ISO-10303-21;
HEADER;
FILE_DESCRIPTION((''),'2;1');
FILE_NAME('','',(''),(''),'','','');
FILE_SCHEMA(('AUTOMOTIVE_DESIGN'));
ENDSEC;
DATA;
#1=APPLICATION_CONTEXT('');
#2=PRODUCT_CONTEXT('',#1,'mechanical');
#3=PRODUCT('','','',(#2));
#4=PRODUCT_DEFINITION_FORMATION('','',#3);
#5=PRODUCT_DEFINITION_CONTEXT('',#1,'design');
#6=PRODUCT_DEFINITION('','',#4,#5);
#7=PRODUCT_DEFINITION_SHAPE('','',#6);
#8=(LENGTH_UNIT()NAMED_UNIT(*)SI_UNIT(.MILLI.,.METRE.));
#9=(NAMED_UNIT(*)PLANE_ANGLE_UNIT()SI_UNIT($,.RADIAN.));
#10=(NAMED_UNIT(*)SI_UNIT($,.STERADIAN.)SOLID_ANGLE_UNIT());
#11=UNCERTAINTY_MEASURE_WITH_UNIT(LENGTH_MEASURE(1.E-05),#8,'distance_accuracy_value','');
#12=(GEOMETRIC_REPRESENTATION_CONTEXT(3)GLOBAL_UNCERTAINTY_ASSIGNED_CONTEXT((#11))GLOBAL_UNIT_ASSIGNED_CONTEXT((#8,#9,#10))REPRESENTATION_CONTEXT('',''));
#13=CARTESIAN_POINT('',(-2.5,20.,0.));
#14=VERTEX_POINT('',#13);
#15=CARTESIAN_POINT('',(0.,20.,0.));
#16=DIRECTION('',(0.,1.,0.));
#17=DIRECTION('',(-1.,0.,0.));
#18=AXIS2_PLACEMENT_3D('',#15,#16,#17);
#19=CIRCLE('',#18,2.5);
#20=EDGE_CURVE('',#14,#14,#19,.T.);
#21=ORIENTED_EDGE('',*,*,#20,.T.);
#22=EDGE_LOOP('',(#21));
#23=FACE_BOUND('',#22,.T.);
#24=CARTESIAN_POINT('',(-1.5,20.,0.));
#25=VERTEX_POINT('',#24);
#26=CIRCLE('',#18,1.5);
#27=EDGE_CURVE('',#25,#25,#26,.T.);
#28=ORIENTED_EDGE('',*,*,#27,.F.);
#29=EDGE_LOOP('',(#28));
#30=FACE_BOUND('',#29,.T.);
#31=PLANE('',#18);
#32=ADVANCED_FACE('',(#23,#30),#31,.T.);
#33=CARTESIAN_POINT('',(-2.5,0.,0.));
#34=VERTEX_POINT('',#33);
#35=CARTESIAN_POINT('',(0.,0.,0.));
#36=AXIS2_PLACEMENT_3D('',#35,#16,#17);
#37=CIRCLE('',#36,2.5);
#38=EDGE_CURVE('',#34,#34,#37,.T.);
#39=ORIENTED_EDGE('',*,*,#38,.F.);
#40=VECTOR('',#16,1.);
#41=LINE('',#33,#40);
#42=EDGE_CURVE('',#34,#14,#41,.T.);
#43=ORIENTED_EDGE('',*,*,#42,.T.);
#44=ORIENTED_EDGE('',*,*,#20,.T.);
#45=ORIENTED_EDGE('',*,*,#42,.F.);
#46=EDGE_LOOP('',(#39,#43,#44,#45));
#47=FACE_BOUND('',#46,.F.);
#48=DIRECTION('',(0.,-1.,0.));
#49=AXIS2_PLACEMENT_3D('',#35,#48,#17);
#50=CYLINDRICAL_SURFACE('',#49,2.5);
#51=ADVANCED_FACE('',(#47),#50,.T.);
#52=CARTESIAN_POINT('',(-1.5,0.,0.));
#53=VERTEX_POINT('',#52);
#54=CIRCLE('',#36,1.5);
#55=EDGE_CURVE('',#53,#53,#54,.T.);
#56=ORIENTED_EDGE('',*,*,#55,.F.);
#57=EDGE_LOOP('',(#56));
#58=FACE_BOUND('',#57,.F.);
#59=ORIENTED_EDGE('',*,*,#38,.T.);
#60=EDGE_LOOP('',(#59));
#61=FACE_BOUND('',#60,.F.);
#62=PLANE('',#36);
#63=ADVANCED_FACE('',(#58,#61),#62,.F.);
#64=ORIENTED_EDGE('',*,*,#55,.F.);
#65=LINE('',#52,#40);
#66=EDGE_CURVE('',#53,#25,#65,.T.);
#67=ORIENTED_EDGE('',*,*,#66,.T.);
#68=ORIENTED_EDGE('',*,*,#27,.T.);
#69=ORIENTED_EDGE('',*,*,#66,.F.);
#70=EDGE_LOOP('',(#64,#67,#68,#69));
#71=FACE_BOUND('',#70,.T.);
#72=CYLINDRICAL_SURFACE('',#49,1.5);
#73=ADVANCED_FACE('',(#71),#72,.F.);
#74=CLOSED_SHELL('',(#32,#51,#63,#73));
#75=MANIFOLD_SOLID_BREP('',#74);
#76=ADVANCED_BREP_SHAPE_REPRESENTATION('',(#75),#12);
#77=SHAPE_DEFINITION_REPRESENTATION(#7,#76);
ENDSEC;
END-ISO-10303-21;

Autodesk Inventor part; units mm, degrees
ref_plane "YZ Plane" through (0, 0, 0) normal (1, 0, 0) x (0, 1, 0)
ref_plane "XZ Plane" through (0, 0, 0) normal (0, 1, 0) x (-1, 0, 0)
ref_plane "XY Plane" through (0, 0, 0) normal (0, 0, 1) x (1, 0, 0)
sketch "Sketch1" plane through (0, 0, 0) normal (0, 1, 0) x (-1, 0, 0)
  circle A0 centre (0, 0) radius 2.5
  circle A1 centre (0, 0) radius 1.5
  dimension "d0" = 5
  dimension "d1" = 3
extrude "Extrusion1" add sketch "Sketch1" along normal blind 20
properties part number "Trudong30"
